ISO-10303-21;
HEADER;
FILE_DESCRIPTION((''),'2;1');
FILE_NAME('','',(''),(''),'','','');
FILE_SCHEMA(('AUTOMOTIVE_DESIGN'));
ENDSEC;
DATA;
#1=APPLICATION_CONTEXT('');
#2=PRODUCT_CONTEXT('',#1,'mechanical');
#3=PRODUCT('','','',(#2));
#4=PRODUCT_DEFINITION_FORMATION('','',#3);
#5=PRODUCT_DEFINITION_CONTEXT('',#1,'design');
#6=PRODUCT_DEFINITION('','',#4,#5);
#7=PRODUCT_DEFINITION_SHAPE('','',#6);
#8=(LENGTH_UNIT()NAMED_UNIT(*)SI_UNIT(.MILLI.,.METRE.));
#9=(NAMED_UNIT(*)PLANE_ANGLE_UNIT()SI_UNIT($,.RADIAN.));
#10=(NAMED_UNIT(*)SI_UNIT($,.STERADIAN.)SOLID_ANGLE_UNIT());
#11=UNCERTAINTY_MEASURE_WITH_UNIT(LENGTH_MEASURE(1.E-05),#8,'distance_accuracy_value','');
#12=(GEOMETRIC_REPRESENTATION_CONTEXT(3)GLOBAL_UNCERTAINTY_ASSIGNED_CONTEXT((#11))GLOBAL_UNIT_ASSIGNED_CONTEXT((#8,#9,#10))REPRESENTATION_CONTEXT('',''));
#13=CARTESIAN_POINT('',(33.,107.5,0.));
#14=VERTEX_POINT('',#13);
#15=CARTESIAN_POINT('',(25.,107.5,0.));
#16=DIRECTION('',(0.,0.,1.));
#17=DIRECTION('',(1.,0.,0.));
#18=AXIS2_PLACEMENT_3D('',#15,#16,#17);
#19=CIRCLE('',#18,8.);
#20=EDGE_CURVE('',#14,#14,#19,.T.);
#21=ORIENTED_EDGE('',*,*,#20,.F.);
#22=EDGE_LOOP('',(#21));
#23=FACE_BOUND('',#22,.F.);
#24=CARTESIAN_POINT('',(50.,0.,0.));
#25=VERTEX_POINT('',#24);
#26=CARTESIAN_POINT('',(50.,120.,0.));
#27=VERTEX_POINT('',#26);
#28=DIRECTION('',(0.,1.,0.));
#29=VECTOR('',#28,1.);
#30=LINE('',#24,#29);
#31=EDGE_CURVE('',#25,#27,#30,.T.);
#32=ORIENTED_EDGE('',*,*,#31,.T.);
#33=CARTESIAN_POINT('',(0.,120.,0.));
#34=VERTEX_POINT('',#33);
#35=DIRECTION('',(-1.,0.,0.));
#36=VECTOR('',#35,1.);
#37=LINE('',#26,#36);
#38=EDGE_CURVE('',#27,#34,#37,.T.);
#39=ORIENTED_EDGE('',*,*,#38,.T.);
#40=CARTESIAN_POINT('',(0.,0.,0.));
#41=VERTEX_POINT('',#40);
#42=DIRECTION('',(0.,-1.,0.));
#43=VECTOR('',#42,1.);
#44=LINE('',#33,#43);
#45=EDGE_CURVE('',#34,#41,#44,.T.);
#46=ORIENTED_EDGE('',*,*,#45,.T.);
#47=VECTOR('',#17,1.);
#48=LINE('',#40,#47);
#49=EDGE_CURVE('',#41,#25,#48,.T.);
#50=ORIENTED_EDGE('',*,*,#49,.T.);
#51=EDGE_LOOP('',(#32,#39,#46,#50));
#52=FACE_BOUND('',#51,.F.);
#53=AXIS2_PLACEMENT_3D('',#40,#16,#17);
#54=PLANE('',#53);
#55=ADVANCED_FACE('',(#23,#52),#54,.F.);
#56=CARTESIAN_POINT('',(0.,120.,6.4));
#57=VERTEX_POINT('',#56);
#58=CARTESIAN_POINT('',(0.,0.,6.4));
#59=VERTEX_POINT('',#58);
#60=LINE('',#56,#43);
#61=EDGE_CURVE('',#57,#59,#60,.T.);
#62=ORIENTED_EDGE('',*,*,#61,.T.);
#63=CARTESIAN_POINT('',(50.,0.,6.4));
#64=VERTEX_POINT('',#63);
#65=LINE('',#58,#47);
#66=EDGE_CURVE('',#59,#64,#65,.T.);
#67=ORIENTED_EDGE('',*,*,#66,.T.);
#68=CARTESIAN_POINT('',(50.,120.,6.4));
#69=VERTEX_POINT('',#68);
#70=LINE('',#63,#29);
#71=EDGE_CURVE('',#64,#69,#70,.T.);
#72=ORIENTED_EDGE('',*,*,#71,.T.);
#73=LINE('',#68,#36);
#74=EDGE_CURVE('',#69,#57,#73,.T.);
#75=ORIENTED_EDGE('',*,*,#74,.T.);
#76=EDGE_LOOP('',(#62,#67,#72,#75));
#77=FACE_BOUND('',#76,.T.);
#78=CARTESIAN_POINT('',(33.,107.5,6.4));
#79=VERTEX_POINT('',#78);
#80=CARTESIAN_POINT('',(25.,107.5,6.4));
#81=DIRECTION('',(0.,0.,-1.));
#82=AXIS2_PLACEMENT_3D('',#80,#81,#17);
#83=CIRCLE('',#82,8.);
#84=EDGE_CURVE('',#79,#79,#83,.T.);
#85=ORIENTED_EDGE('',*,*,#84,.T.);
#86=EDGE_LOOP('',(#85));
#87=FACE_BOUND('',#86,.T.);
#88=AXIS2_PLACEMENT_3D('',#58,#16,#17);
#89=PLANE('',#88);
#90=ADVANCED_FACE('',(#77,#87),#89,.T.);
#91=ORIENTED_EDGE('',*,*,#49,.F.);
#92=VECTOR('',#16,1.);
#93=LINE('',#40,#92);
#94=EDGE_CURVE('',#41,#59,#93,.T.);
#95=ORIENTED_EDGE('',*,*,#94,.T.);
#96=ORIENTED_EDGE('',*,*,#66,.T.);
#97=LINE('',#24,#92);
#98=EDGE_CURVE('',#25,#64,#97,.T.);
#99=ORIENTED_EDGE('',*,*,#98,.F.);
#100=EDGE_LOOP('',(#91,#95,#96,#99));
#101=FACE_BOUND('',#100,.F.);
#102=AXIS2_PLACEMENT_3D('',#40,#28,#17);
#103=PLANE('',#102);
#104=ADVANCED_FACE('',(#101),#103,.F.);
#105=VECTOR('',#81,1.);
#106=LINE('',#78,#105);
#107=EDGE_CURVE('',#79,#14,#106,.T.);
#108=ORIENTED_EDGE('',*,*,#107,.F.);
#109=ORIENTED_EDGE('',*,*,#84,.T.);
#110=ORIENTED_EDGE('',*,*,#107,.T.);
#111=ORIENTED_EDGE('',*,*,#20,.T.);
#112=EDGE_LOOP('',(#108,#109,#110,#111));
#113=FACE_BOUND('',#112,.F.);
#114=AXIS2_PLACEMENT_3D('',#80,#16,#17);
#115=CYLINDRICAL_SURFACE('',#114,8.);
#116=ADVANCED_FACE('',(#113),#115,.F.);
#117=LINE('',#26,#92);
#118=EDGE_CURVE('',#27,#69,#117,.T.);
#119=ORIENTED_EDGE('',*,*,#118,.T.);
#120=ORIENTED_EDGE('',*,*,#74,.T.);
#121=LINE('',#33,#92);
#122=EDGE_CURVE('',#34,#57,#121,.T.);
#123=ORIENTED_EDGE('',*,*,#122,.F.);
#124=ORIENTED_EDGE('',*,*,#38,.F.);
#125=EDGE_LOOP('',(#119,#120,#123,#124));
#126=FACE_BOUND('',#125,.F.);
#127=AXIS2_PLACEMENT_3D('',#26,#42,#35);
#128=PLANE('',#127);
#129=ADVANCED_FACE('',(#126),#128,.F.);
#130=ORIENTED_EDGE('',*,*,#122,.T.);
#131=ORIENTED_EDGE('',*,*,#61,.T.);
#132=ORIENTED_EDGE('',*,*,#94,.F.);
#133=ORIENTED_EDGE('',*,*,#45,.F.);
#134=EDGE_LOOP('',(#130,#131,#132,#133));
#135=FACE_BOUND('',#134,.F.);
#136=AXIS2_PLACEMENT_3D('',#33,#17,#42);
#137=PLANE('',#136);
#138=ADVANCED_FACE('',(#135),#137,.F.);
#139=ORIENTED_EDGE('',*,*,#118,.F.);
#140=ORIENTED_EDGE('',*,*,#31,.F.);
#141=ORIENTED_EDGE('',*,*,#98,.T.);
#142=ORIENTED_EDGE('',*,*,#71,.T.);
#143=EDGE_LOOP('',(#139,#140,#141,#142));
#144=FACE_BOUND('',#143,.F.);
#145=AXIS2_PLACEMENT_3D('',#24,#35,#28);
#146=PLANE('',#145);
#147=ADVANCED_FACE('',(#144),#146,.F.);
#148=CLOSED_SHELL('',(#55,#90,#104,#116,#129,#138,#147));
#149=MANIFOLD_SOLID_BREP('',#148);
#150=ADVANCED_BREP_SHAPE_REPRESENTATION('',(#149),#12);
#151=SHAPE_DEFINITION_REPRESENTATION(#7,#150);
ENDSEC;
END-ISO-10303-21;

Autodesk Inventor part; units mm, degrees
ref_plane "YZ Plane" through (0, 0, 0) normal (1, 0, 0) x (0, 1, 0)
ref_plane "XZ Plane" through (0, 0, 0) normal (0, 1, 0) x (-1, 0, 0)
ref_plane "XY Plane" through (0, 0, 0) normal (0, 0, 1) x (1, 0, 0)
sketch "Boceto1" plane through (0, 0, 0) normal (0, 0, 1) x (1, 0, 0)
  line L0 (0, 0) -> (50, 0)
  line L1 (50, 0) -> (50, 120)
  line L2 (50, 120) -> (0, 120)
  line L3 (0, 120) -> (0, 0)
  dimension "d0" = 50
  dimension "d1" = 120
extrude "Extrusión1" add sketch "Boceto1" along normal blind 6.4
sketch "Boceto2" plane through (0, 0, 6.4) normal (0, 0, 1) x (1, 0, 0)
  line L0 (50, 120) -> (0, 120) projected
  line L1 (25, 120) -> (25, 117)
  line L2 (25, 117) -> (25, 107.5)
  circle A0 centre (25, 107.5) radius 8
  point P0 (0, 0)
  dimension "d4" = 3
  dimension "d5" = 9.5
  dimension "d6" = 16
extrude "Extrusión2" cut sketch "Boceto2" against normal through all
properties part number "Base_cortadora"
